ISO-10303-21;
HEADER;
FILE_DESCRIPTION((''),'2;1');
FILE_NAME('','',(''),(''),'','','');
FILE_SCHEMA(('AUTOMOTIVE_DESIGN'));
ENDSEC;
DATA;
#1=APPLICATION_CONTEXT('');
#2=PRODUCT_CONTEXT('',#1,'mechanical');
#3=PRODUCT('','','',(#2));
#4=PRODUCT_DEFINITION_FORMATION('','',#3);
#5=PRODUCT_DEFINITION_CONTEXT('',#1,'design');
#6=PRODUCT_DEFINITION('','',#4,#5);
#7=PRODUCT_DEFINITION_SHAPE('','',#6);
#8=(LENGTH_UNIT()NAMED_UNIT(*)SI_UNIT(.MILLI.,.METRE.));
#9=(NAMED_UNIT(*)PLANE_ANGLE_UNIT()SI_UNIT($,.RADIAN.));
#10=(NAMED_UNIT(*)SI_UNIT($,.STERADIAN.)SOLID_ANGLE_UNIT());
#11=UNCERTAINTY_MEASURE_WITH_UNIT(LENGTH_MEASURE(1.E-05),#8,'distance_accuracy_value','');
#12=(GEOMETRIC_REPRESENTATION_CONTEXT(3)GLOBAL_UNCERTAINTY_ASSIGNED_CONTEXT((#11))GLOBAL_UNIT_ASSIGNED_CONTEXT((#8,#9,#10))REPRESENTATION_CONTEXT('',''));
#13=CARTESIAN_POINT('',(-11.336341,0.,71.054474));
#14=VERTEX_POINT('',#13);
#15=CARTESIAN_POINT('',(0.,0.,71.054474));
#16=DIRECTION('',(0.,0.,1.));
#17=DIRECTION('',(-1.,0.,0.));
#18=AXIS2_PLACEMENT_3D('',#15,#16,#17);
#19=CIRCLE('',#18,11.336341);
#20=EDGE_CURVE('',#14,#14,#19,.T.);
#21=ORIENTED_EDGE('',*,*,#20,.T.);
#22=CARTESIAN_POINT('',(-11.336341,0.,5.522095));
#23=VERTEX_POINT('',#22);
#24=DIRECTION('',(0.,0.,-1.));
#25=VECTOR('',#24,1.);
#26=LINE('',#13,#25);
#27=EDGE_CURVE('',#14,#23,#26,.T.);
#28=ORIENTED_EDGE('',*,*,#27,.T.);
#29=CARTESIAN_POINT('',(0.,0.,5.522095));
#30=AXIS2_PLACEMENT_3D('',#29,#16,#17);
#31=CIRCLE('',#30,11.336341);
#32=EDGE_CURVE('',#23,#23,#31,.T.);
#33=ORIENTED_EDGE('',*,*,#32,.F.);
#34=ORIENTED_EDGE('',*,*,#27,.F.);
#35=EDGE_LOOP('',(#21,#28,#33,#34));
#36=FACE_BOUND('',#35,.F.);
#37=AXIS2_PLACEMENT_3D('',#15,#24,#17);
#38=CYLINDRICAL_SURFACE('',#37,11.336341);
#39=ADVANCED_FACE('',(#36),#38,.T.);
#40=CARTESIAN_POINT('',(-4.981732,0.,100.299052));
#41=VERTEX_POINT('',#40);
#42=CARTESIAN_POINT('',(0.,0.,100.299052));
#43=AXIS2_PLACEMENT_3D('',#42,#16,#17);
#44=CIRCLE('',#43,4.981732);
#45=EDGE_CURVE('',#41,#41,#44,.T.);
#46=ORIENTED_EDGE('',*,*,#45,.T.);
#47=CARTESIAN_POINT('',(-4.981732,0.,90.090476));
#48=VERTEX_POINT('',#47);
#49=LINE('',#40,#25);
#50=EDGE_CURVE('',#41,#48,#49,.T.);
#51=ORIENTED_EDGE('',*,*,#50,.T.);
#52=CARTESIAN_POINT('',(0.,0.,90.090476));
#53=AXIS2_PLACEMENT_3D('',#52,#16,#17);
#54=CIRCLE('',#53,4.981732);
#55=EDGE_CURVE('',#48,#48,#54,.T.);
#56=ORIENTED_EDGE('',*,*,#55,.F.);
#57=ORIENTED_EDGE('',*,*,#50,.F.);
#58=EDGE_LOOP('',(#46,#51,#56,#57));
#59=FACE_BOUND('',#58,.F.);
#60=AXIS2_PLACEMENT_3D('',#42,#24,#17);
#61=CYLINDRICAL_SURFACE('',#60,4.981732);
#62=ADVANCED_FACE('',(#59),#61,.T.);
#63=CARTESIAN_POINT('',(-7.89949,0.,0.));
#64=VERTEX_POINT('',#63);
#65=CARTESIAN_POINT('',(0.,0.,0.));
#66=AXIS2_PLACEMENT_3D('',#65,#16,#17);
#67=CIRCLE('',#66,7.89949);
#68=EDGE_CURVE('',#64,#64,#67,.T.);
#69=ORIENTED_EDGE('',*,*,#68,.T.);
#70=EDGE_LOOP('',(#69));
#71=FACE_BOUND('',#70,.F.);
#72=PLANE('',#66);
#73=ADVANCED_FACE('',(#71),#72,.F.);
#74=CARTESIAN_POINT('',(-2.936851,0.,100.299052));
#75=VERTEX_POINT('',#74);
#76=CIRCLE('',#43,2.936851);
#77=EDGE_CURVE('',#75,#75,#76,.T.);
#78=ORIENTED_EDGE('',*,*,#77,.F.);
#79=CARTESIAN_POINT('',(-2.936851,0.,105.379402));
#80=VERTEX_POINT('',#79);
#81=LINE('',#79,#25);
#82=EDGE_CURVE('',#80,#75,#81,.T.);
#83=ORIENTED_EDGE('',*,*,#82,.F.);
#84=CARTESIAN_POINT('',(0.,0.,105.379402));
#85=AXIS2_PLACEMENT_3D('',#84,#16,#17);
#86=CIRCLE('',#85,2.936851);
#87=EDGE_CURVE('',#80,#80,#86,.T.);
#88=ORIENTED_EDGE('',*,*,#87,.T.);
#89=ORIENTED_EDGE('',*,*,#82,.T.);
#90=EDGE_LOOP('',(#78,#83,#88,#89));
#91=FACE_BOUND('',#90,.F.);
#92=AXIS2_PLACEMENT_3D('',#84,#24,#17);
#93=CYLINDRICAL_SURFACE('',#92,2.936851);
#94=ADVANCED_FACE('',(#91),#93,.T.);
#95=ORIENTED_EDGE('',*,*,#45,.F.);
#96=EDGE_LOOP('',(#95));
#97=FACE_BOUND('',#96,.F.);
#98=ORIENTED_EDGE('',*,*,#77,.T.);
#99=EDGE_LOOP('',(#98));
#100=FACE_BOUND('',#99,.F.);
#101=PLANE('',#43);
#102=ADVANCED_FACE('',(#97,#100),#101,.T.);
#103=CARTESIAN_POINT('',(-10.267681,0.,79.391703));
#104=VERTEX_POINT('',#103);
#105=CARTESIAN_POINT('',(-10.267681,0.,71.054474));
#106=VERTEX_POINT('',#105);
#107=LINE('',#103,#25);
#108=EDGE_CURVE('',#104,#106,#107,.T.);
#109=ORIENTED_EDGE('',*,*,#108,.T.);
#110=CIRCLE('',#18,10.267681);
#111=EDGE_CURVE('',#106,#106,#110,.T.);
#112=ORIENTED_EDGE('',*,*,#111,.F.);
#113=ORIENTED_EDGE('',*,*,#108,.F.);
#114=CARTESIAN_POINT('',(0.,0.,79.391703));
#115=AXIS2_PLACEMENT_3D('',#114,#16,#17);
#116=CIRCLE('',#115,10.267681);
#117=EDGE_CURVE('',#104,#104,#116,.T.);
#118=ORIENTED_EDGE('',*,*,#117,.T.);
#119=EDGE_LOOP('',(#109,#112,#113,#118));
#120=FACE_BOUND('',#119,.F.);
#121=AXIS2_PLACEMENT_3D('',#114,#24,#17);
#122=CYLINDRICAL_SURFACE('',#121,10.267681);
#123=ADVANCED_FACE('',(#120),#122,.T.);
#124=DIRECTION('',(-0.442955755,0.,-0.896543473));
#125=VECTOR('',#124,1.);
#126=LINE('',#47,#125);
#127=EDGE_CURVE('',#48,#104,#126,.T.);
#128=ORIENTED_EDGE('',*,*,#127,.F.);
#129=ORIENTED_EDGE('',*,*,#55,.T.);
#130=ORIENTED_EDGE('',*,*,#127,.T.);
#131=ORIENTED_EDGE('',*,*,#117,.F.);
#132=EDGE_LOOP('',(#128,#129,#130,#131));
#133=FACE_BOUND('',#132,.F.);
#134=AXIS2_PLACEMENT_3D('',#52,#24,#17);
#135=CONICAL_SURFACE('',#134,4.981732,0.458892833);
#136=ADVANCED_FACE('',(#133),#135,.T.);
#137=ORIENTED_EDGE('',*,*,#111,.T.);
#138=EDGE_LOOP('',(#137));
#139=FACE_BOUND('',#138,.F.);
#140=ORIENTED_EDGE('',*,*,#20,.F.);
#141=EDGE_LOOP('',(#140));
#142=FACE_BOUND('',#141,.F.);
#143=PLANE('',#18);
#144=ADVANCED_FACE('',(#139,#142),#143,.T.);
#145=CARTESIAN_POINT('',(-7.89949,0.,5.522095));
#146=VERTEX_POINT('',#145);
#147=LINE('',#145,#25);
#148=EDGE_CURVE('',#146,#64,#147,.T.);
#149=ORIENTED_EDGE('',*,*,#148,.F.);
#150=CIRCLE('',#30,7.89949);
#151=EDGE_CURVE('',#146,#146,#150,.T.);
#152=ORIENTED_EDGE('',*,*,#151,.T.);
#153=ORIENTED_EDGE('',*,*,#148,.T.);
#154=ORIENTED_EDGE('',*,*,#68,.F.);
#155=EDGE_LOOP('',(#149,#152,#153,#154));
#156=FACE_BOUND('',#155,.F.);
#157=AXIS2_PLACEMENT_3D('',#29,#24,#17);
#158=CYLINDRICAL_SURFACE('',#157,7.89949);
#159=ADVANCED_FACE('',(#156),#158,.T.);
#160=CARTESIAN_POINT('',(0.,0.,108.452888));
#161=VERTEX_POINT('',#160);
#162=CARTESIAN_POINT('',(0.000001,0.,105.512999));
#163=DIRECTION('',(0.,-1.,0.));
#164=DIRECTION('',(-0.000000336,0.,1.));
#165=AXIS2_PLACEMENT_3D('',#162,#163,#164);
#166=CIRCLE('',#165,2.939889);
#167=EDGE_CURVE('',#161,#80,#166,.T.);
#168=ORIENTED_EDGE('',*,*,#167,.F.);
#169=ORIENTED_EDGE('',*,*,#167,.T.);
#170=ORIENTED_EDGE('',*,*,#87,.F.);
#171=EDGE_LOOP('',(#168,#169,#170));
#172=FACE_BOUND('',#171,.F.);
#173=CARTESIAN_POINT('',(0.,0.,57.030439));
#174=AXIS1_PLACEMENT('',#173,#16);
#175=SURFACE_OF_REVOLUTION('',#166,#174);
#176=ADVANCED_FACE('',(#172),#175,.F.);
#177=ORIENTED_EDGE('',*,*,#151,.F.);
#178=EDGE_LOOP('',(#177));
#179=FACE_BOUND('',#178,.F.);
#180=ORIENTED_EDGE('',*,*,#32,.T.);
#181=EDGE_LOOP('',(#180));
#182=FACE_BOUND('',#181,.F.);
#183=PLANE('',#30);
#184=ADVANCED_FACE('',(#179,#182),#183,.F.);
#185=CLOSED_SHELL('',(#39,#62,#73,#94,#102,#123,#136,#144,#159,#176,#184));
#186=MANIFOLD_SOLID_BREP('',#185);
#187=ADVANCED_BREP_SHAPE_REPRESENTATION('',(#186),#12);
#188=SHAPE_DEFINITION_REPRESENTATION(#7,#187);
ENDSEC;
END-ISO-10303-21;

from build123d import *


with BuildPart() as f1:
    # F0 (on Front) → F1 (revolve)
    with BuildSketch(Plane.XZ):
        with BuildLine():
            Line((-7.89949, 0), (0, 0))
            Line((0, 0), (0, 108.452888))
            ThreePointArc((0, 108.452888), (-2.125524, 107.544031), (-2.936851, 105.379402))
            Line((-2.936851, 105.379402), (-2.936851, 100.299052))
            Line((-2.936851, 100.299052), (-4.981732, 100.299052))
            Line((-4.981732, 100.299052), (-4.981732, 90.090476))
            Line((-4.981732, 90.090476), (-10.267681, 79.391703))
            Line((-10.267681, 79.391703), (-10.267681, 71.054474))
            Line((-10.267681, 71.054474), (-11.336341, 71.054474))
            Line((-11.336341, 71.054474), (-11.336341, 5.522095))
            Line((-11.336341, 5.522095), (-7.89949, 5.522095))
            Line((-7.89949, 5.522095), (-7.89949, 0))
        make_face()
    revolve(axis=Axis((0, 0, 57.030439), (0, 0, 1)))


solid = f1.part
